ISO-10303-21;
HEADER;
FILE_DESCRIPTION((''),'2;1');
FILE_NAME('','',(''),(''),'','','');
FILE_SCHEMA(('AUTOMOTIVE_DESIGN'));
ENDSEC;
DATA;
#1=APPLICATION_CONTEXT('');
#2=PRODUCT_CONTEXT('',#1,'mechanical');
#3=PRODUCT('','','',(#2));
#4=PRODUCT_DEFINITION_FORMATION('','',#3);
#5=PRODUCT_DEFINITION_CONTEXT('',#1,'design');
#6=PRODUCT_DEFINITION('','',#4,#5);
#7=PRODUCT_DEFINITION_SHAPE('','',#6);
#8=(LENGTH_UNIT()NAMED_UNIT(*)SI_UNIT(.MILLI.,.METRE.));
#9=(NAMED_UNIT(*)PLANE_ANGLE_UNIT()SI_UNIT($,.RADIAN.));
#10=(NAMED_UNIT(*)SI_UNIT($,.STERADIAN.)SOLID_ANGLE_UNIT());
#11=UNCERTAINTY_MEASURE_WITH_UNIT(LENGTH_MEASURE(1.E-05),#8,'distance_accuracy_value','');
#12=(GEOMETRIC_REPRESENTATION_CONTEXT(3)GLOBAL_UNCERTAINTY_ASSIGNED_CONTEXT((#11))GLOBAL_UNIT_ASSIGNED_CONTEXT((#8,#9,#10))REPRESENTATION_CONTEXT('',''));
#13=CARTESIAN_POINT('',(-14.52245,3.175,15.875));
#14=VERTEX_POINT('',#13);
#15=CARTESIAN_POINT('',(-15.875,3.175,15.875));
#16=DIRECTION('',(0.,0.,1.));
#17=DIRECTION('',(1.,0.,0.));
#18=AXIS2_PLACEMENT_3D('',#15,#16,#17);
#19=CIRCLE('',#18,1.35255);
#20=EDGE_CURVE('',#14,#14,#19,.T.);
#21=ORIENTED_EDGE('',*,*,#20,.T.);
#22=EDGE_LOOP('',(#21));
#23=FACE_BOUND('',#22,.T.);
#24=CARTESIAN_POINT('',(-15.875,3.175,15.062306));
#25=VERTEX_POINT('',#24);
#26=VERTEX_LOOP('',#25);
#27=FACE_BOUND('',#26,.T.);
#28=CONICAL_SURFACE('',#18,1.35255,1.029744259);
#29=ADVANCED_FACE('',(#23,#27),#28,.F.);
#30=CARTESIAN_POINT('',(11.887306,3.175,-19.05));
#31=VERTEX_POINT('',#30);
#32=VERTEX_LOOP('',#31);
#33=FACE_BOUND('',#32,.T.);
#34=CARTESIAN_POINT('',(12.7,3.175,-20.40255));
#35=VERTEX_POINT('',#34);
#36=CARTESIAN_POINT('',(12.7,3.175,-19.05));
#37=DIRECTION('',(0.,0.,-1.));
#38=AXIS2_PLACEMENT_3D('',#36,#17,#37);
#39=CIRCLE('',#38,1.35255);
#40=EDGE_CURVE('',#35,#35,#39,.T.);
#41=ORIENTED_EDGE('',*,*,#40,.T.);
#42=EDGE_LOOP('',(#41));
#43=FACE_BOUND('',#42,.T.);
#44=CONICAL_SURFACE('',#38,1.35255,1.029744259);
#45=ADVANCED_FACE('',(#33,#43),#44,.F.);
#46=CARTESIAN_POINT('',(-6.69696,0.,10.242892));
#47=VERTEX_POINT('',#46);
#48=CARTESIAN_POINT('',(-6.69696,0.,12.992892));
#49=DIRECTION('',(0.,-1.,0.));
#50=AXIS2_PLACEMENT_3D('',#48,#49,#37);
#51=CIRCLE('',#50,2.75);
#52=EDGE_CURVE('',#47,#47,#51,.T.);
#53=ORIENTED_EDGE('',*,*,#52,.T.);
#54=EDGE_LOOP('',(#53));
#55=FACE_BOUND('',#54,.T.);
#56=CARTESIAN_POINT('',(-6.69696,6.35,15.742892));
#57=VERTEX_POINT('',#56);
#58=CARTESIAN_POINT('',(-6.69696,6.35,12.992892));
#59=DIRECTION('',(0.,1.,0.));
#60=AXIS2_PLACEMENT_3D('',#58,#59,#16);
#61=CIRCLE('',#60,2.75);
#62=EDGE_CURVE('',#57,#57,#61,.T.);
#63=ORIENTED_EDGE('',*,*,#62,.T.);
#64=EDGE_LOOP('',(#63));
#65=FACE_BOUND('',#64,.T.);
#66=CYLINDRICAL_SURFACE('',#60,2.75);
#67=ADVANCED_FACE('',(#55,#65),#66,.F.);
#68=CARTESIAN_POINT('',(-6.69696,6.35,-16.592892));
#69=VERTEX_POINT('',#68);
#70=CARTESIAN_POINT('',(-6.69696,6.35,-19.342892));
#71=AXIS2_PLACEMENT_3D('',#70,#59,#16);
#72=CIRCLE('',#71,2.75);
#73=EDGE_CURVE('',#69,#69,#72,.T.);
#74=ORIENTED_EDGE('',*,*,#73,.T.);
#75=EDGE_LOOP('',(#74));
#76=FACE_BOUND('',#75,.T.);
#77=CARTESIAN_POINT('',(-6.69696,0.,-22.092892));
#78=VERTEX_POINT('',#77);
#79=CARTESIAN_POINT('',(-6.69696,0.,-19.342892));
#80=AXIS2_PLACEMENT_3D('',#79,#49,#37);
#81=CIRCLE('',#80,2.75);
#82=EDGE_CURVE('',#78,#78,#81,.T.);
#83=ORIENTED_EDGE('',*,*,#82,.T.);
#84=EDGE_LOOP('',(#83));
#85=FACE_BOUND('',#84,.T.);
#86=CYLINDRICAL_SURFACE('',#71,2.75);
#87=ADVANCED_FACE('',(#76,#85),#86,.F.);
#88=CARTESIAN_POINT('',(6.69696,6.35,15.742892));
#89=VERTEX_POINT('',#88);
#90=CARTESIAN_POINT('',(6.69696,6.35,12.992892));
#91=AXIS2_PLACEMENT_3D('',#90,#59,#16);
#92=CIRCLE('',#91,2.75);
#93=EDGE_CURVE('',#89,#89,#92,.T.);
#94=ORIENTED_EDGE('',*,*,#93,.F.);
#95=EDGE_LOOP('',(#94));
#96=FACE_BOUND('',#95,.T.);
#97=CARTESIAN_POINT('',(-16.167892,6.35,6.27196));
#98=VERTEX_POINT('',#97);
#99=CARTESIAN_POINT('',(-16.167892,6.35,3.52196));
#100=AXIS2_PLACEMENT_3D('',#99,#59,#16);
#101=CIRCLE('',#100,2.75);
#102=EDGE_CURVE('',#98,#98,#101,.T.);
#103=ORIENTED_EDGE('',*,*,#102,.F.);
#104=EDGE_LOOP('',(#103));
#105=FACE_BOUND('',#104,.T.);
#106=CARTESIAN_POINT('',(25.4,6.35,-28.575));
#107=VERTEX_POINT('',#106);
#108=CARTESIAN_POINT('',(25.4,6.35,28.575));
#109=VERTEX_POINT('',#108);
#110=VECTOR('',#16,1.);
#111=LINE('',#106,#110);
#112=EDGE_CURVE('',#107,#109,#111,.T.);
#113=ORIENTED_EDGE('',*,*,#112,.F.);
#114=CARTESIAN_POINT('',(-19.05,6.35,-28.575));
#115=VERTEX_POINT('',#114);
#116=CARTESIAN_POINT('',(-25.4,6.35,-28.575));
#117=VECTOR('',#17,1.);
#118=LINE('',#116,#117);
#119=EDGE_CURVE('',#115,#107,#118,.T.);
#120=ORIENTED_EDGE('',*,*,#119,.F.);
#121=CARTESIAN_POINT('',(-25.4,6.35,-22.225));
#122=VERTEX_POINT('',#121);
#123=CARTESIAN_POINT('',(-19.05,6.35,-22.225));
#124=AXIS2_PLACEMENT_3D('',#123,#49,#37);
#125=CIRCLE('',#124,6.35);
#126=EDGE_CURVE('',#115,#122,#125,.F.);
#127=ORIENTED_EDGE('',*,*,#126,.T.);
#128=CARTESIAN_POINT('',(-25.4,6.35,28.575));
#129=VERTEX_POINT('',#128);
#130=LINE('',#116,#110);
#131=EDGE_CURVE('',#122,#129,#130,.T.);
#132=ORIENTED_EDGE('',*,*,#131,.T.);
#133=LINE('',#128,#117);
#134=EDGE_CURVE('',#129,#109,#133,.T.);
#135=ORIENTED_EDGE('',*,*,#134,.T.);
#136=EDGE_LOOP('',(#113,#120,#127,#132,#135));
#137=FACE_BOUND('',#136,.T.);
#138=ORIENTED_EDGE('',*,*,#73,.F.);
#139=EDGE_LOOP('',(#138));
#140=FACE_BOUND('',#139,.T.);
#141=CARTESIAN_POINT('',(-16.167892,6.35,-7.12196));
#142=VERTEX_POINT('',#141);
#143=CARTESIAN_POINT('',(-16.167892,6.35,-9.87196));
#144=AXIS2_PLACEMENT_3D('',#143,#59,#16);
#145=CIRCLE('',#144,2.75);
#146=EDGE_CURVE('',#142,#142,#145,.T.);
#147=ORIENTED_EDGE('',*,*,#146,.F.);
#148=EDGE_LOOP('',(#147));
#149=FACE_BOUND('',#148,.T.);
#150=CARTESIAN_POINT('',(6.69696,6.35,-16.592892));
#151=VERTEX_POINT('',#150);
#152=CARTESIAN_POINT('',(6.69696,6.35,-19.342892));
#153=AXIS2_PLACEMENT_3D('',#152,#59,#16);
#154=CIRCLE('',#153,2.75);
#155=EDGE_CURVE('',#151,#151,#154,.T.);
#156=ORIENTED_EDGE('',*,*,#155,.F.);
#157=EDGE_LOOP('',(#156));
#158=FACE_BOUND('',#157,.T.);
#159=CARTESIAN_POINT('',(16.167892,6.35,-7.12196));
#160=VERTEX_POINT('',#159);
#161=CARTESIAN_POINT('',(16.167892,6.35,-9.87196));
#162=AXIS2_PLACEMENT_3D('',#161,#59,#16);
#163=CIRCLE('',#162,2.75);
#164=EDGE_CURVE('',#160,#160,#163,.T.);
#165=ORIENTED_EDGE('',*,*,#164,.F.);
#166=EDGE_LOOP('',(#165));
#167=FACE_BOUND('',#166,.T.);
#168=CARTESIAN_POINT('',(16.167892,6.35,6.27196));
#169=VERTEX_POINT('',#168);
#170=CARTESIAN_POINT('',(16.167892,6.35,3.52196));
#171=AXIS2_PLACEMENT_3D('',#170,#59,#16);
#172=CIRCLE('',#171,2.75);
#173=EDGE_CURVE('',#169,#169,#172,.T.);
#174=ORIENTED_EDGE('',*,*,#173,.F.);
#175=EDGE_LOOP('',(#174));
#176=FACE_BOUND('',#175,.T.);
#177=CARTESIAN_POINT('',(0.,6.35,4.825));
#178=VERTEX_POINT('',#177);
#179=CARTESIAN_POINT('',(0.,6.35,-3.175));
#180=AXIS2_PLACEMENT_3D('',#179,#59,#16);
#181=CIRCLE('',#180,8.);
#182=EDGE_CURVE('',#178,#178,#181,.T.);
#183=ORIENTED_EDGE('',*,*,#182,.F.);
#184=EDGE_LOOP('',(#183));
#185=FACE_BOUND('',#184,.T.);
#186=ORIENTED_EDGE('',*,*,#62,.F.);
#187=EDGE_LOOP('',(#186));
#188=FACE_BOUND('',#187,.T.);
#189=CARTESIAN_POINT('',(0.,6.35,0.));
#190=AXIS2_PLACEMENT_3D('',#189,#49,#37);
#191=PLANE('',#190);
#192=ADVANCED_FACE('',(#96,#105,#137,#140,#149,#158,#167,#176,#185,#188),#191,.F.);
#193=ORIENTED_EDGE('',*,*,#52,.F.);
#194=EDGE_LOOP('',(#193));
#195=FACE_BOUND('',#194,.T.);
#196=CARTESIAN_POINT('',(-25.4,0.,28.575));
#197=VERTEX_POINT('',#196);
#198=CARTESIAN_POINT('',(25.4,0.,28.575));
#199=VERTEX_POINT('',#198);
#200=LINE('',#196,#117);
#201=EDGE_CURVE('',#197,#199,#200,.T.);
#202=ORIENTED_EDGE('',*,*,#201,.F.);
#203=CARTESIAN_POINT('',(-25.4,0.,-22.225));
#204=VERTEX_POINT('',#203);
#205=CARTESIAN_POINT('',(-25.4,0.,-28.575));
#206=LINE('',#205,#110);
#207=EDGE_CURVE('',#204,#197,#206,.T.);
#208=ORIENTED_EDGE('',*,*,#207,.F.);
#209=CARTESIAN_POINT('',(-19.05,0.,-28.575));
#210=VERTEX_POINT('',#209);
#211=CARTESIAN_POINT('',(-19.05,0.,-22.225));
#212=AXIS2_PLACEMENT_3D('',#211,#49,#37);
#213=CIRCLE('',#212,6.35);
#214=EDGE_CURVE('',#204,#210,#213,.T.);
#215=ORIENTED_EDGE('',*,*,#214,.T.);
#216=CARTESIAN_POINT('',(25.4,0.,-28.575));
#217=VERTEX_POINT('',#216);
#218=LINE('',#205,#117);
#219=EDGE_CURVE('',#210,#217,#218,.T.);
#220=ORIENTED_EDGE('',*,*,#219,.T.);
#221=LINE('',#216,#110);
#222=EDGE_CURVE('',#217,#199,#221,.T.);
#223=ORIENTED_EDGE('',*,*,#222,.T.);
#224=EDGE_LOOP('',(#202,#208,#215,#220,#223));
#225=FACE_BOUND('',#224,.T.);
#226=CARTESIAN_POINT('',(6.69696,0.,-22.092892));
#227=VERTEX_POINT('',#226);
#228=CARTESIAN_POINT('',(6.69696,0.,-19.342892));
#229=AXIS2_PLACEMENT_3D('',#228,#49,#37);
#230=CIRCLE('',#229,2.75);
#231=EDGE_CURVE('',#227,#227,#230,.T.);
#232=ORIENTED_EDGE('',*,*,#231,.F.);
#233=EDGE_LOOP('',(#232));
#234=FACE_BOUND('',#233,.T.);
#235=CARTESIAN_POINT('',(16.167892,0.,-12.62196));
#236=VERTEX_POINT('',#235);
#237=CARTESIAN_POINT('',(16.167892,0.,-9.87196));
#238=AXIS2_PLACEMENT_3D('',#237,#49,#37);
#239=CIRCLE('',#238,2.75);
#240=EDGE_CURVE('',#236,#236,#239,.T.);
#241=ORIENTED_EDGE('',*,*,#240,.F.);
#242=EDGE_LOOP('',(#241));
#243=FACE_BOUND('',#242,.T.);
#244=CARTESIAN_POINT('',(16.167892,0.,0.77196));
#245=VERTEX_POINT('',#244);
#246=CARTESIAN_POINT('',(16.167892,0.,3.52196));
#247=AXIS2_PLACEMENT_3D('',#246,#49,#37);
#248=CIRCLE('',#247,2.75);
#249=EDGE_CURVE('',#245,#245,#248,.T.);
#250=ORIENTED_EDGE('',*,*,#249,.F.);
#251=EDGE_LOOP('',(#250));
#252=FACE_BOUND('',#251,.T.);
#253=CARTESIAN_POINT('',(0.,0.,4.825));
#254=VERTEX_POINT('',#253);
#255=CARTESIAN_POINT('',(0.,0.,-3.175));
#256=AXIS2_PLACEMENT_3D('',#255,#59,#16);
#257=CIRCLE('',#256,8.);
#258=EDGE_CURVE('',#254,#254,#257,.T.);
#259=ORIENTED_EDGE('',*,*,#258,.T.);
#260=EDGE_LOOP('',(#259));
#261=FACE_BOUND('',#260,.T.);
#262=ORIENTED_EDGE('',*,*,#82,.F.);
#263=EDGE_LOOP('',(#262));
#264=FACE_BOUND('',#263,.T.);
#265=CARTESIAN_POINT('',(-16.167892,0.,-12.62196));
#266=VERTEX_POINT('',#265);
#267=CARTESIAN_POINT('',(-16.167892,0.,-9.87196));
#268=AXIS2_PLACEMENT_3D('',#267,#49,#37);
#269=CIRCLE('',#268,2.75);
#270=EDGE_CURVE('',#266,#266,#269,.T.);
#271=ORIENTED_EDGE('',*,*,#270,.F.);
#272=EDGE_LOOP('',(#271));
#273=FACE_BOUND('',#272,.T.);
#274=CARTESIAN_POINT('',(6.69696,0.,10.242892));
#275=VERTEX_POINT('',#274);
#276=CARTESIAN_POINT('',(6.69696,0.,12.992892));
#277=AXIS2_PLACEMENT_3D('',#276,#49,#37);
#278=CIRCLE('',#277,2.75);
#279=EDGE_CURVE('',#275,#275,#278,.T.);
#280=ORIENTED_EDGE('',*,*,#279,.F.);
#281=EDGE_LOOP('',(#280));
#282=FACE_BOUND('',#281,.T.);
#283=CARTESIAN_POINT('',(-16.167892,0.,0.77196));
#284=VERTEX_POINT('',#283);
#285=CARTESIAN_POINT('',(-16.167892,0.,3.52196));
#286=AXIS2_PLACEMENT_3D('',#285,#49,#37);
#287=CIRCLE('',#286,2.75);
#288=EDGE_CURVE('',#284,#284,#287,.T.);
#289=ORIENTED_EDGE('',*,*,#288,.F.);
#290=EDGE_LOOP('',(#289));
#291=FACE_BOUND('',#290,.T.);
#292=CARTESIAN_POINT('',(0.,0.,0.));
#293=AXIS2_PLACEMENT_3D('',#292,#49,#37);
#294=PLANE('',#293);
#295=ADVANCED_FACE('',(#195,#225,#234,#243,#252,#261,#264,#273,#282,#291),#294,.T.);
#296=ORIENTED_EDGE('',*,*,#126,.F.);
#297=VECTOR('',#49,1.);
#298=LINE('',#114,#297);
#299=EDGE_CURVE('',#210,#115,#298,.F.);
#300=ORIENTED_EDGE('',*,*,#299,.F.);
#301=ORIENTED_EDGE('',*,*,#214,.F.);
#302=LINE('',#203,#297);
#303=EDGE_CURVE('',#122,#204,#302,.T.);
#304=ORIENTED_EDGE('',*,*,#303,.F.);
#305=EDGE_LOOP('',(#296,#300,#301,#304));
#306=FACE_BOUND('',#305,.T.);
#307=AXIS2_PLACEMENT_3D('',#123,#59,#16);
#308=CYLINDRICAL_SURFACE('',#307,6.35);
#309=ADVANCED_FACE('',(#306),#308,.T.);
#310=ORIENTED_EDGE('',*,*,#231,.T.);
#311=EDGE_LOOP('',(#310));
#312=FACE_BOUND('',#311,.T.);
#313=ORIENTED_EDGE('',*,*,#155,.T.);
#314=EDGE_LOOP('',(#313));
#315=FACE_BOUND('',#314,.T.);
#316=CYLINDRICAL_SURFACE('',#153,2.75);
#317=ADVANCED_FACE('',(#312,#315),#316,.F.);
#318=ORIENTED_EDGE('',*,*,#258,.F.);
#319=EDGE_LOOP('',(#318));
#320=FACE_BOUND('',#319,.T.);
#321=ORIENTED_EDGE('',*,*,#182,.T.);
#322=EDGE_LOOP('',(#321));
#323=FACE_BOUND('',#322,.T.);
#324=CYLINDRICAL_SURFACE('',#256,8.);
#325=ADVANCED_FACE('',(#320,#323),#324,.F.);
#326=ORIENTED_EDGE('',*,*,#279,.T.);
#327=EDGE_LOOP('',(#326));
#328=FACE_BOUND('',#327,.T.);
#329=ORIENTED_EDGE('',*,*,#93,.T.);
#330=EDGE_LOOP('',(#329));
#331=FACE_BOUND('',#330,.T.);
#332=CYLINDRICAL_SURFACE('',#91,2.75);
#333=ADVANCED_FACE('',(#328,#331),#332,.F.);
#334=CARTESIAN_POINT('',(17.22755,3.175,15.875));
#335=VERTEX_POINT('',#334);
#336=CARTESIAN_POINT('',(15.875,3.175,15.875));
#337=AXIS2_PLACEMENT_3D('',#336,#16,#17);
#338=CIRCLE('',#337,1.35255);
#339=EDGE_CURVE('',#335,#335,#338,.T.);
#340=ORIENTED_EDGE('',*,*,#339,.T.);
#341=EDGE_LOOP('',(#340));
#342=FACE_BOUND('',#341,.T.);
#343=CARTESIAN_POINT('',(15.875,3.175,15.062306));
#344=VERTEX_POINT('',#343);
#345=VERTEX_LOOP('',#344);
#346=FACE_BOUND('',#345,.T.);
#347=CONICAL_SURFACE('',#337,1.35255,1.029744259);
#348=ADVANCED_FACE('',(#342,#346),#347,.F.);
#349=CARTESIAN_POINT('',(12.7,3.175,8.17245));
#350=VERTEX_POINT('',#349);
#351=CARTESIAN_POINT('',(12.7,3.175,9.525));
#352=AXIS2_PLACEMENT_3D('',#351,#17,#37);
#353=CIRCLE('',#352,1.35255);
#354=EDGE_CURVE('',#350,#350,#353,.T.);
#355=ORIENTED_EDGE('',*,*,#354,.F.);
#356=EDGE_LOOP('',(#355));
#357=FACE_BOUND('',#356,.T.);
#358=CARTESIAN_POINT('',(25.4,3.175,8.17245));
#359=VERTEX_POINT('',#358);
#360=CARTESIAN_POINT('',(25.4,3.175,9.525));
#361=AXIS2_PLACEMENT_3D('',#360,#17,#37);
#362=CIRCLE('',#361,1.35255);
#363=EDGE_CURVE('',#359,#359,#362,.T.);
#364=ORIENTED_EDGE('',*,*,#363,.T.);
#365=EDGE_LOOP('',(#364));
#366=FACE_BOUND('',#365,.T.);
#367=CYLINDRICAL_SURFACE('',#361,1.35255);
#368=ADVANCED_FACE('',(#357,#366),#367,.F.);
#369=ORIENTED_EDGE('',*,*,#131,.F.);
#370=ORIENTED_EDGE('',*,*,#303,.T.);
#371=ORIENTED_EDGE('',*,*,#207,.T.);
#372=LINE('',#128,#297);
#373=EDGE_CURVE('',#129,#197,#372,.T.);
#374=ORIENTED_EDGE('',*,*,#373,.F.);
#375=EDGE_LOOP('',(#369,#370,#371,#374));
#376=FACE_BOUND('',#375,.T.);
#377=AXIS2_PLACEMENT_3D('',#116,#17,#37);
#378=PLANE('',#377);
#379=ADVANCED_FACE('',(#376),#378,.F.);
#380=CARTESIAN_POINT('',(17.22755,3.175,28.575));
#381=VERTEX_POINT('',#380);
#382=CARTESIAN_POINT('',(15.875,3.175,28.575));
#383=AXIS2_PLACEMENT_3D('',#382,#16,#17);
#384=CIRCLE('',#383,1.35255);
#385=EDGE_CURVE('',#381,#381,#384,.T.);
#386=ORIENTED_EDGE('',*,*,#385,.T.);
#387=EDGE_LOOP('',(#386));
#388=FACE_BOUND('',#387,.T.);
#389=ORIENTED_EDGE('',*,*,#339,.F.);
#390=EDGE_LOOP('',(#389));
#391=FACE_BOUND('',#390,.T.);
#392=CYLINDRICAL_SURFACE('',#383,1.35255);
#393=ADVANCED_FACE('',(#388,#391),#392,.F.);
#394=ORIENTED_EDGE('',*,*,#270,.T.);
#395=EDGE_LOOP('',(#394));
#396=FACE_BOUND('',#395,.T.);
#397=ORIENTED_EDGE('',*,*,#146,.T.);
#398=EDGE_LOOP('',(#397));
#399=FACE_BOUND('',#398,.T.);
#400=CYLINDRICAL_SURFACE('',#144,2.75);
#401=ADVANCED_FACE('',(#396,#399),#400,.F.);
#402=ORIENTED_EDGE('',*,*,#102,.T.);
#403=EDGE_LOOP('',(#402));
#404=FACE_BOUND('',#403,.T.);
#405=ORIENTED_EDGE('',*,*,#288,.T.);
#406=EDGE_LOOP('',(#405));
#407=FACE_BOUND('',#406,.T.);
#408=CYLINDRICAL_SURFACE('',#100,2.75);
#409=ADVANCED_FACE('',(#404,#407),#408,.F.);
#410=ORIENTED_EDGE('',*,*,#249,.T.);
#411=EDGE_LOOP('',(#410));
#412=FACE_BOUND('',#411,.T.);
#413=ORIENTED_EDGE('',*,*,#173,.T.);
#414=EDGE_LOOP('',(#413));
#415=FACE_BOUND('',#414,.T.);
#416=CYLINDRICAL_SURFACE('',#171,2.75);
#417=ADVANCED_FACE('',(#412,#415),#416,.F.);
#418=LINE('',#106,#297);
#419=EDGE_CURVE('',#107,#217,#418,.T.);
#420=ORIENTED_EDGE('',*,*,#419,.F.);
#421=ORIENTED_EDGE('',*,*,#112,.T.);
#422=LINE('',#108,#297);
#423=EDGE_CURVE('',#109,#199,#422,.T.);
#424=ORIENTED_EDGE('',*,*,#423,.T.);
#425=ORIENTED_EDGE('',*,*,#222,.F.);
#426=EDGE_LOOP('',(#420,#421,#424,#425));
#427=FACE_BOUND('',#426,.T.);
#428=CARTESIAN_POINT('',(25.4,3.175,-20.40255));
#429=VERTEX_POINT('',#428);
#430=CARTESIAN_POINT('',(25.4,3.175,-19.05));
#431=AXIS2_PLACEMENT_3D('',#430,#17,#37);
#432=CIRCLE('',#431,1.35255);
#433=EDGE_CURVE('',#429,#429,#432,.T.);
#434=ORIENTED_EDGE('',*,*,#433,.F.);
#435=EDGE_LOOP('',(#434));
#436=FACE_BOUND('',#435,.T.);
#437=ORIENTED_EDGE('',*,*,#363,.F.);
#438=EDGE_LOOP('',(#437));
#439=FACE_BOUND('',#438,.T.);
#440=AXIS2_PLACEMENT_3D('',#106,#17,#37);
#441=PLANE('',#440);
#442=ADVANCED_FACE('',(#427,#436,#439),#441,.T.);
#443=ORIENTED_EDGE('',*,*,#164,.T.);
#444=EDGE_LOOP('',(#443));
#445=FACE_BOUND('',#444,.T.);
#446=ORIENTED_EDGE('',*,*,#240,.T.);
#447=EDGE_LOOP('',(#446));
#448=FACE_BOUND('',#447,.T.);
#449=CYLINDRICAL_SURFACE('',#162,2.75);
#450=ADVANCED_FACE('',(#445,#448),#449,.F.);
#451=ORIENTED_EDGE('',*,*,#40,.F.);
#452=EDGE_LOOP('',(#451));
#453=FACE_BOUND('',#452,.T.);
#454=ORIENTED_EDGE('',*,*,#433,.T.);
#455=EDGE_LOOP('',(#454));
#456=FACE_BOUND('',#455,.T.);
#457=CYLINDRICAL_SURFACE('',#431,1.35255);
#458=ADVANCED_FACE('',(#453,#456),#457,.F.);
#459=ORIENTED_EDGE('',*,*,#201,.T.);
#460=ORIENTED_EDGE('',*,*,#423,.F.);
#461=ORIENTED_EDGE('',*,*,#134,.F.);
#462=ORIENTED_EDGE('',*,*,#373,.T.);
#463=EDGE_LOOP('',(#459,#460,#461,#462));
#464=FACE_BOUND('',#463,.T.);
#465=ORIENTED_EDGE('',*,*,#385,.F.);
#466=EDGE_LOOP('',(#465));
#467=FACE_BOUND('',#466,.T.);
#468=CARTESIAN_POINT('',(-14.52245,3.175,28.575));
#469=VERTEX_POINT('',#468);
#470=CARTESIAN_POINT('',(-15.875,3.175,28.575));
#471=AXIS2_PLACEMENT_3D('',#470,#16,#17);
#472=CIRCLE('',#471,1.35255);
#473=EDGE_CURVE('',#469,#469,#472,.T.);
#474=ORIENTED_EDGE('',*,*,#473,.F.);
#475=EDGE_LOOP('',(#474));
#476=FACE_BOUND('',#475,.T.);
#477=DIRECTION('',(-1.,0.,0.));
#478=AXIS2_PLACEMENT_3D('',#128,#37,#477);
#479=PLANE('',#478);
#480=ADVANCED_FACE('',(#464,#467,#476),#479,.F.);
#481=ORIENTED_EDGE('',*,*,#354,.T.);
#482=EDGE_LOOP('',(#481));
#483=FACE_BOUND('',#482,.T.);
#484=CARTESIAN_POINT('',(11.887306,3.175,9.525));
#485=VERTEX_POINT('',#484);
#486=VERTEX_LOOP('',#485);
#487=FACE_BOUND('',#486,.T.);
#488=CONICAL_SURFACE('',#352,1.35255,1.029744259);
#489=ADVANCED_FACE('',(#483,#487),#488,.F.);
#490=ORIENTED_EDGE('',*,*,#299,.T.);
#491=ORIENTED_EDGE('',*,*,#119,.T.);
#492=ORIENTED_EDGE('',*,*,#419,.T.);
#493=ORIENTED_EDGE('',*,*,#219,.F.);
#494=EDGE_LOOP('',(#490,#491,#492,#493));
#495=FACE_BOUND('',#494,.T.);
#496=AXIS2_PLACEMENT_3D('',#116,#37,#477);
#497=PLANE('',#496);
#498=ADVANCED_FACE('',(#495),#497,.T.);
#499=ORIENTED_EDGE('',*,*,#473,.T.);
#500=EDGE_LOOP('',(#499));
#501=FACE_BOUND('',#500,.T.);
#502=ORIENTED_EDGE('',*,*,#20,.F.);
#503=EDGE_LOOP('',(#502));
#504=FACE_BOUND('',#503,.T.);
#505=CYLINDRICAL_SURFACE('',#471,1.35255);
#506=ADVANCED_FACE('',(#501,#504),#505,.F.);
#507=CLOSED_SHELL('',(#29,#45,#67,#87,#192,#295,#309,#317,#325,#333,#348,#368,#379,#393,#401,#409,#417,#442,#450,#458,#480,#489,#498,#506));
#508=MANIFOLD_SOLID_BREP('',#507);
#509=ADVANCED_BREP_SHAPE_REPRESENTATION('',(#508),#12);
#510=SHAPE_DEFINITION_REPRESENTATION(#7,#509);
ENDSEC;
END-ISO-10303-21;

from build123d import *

# Parameters (mm, degrees)
SKETCH1_W                     = 50.8
SKETCH1_H                     = 57.15
BOSS_EXTRUDE1_DEPTH           = 6.35
M5_CLEARANCE_HOLE1_D          = 5.5
M5_CLEARANCE_HOLE1_DEPTH      = 12.7
M5_CLEARANCE_HOLE1_TIP        = 1.652366702
TAP_DRILL_FOR_6_32_TAP1_D     = 2.7051
TAP_DRILL_FOR_6_32_TAP1_DEPTH = 12.7
TAP_DRILL_FOR_6_32_TAP1_TIP   = 0.81269403
TAP_DRILL_FOR_6_32_TAP2_D     = 2.7051
TAP_DRILL_FOR_6_32_TAP2_DEPTH = 12.7
TAP_DRILL_FOR_6_32_TAP2_TIP   = 0.81269403
FILLET1_R                     = 6.35
SKETCH8_R                     = 8
CUT_EXTRUDE1_DEPTH            = 6.35


with BuildPart() as part:
    # Sketch1 → Boss-Extrude1 (new body)
    with BuildSketch(Plane(origin=(0, 0, 0), x_dir=(1, 0, 0), z_dir=(0, 1, 0))):
        Rectangle(SKETCH1_W, SKETCH1_H)
    extrude(amount=BOSS_EXTRUDE1_DEPTH)

    # M5 Clearance Hole1
    with Locations(Plane(origin=(0, 6.35, 0), x_dir=(1, 0, 0), z_dir=(0, 1, 0))):
        with Locations((-16.167891819, 9.871960066), (-6.696960066, -12.992891819), (16.167891819, -3.521960066), (-6.696960066, 19.342891819), (6.696960066, 19.342891819), (16.167891819, 9.871960066), (-16.167891819, -3.521960066), (6.696960066, -12.992891819)):
            Hole(M5_CLEARANCE_HOLE1_D / 2, depth=M5_CLEARANCE_HOLE1_DEPTH)
            with Locations((0, 0, -(M5_CLEARANCE_HOLE1_DEPTH + M5_CLEARANCE_HOLE1_TIP / 2))):  # 118° drill point
                Cone(0, M5_CLEARANCE_HOLE1_D / 2, M5_CLEARANCE_HOLE1_TIP, mode=Mode.SUBTRACT)

    # Tap Drill for #6-32 Tap1
    with Locations(Plane.XY.offset(28.575)):
        with Locations((-15.875, 3.175), (15.875, 3.175)):
            Hole(TAP_DRILL_FOR_6_32_TAP1_D / 2, depth=TAP_DRILL_FOR_6_32_TAP1_DEPTH)
            with Locations((0, 0, -(TAP_DRILL_FOR_6_32_TAP1_DEPTH + TAP_DRILL_FOR_6_32_TAP1_TIP / 2))):  # 118° drill point
                Cone(0, TAP_DRILL_FOR_6_32_TAP1_D / 2, TAP_DRILL_FOR_6_32_TAP1_TIP, mode=Mode.SUBTRACT)

    # Tap Drill for #6-32 Tap2
    with Locations(Plane(origin=(25.4, 0, 0), x_dir=(0, 0, -1), z_dir=(1, 0, 0))):
        with Locations((-9.525, 3.175), (19.05, 3.175)):
            Hole(TAP_DRILL_FOR_6_32_TAP2_D / 2, depth=TAP_DRILL_FOR_6_32_TAP2_DEPTH)
            with Locations((0, 0, -(TAP_DRILL_FOR_6_32_TAP2_DEPTH + TAP_DRILL_FOR_6_32_TAP2_TIP / 2))):  # 118° drill point
                Cone(0, TAP_DRILL_FOR_6_32_TAP2_D / 2, TAP_DRILL_FOR_6_32_TAP2_TIP, mode=Mode.SUBTRACT)

    # Fillet1
    fillet1_edges = [part.edges().sort_by_distance(p)[0] for p in [
        (-25.4, 3.175, -28.575),
    ]]
    fillet(fillet1_edges, radius=FILLET1_R)

    # Sketch8 → Cut-Extrude1 (cut)
    with BuildSketch(Plane(origin=(0, 6.35, 0), x_dir=(1, 0, 0), z_dir=(0, 1, 0))):
        with Locations(Location((0, 3.175, 0), (0, 0, 270))):
            Circle(SKETCH8_R)
    extrude(amount=-CUT_EXTRUDE1_DEPTH, mode=Mode.SUBTRACT)


solid = part.part
